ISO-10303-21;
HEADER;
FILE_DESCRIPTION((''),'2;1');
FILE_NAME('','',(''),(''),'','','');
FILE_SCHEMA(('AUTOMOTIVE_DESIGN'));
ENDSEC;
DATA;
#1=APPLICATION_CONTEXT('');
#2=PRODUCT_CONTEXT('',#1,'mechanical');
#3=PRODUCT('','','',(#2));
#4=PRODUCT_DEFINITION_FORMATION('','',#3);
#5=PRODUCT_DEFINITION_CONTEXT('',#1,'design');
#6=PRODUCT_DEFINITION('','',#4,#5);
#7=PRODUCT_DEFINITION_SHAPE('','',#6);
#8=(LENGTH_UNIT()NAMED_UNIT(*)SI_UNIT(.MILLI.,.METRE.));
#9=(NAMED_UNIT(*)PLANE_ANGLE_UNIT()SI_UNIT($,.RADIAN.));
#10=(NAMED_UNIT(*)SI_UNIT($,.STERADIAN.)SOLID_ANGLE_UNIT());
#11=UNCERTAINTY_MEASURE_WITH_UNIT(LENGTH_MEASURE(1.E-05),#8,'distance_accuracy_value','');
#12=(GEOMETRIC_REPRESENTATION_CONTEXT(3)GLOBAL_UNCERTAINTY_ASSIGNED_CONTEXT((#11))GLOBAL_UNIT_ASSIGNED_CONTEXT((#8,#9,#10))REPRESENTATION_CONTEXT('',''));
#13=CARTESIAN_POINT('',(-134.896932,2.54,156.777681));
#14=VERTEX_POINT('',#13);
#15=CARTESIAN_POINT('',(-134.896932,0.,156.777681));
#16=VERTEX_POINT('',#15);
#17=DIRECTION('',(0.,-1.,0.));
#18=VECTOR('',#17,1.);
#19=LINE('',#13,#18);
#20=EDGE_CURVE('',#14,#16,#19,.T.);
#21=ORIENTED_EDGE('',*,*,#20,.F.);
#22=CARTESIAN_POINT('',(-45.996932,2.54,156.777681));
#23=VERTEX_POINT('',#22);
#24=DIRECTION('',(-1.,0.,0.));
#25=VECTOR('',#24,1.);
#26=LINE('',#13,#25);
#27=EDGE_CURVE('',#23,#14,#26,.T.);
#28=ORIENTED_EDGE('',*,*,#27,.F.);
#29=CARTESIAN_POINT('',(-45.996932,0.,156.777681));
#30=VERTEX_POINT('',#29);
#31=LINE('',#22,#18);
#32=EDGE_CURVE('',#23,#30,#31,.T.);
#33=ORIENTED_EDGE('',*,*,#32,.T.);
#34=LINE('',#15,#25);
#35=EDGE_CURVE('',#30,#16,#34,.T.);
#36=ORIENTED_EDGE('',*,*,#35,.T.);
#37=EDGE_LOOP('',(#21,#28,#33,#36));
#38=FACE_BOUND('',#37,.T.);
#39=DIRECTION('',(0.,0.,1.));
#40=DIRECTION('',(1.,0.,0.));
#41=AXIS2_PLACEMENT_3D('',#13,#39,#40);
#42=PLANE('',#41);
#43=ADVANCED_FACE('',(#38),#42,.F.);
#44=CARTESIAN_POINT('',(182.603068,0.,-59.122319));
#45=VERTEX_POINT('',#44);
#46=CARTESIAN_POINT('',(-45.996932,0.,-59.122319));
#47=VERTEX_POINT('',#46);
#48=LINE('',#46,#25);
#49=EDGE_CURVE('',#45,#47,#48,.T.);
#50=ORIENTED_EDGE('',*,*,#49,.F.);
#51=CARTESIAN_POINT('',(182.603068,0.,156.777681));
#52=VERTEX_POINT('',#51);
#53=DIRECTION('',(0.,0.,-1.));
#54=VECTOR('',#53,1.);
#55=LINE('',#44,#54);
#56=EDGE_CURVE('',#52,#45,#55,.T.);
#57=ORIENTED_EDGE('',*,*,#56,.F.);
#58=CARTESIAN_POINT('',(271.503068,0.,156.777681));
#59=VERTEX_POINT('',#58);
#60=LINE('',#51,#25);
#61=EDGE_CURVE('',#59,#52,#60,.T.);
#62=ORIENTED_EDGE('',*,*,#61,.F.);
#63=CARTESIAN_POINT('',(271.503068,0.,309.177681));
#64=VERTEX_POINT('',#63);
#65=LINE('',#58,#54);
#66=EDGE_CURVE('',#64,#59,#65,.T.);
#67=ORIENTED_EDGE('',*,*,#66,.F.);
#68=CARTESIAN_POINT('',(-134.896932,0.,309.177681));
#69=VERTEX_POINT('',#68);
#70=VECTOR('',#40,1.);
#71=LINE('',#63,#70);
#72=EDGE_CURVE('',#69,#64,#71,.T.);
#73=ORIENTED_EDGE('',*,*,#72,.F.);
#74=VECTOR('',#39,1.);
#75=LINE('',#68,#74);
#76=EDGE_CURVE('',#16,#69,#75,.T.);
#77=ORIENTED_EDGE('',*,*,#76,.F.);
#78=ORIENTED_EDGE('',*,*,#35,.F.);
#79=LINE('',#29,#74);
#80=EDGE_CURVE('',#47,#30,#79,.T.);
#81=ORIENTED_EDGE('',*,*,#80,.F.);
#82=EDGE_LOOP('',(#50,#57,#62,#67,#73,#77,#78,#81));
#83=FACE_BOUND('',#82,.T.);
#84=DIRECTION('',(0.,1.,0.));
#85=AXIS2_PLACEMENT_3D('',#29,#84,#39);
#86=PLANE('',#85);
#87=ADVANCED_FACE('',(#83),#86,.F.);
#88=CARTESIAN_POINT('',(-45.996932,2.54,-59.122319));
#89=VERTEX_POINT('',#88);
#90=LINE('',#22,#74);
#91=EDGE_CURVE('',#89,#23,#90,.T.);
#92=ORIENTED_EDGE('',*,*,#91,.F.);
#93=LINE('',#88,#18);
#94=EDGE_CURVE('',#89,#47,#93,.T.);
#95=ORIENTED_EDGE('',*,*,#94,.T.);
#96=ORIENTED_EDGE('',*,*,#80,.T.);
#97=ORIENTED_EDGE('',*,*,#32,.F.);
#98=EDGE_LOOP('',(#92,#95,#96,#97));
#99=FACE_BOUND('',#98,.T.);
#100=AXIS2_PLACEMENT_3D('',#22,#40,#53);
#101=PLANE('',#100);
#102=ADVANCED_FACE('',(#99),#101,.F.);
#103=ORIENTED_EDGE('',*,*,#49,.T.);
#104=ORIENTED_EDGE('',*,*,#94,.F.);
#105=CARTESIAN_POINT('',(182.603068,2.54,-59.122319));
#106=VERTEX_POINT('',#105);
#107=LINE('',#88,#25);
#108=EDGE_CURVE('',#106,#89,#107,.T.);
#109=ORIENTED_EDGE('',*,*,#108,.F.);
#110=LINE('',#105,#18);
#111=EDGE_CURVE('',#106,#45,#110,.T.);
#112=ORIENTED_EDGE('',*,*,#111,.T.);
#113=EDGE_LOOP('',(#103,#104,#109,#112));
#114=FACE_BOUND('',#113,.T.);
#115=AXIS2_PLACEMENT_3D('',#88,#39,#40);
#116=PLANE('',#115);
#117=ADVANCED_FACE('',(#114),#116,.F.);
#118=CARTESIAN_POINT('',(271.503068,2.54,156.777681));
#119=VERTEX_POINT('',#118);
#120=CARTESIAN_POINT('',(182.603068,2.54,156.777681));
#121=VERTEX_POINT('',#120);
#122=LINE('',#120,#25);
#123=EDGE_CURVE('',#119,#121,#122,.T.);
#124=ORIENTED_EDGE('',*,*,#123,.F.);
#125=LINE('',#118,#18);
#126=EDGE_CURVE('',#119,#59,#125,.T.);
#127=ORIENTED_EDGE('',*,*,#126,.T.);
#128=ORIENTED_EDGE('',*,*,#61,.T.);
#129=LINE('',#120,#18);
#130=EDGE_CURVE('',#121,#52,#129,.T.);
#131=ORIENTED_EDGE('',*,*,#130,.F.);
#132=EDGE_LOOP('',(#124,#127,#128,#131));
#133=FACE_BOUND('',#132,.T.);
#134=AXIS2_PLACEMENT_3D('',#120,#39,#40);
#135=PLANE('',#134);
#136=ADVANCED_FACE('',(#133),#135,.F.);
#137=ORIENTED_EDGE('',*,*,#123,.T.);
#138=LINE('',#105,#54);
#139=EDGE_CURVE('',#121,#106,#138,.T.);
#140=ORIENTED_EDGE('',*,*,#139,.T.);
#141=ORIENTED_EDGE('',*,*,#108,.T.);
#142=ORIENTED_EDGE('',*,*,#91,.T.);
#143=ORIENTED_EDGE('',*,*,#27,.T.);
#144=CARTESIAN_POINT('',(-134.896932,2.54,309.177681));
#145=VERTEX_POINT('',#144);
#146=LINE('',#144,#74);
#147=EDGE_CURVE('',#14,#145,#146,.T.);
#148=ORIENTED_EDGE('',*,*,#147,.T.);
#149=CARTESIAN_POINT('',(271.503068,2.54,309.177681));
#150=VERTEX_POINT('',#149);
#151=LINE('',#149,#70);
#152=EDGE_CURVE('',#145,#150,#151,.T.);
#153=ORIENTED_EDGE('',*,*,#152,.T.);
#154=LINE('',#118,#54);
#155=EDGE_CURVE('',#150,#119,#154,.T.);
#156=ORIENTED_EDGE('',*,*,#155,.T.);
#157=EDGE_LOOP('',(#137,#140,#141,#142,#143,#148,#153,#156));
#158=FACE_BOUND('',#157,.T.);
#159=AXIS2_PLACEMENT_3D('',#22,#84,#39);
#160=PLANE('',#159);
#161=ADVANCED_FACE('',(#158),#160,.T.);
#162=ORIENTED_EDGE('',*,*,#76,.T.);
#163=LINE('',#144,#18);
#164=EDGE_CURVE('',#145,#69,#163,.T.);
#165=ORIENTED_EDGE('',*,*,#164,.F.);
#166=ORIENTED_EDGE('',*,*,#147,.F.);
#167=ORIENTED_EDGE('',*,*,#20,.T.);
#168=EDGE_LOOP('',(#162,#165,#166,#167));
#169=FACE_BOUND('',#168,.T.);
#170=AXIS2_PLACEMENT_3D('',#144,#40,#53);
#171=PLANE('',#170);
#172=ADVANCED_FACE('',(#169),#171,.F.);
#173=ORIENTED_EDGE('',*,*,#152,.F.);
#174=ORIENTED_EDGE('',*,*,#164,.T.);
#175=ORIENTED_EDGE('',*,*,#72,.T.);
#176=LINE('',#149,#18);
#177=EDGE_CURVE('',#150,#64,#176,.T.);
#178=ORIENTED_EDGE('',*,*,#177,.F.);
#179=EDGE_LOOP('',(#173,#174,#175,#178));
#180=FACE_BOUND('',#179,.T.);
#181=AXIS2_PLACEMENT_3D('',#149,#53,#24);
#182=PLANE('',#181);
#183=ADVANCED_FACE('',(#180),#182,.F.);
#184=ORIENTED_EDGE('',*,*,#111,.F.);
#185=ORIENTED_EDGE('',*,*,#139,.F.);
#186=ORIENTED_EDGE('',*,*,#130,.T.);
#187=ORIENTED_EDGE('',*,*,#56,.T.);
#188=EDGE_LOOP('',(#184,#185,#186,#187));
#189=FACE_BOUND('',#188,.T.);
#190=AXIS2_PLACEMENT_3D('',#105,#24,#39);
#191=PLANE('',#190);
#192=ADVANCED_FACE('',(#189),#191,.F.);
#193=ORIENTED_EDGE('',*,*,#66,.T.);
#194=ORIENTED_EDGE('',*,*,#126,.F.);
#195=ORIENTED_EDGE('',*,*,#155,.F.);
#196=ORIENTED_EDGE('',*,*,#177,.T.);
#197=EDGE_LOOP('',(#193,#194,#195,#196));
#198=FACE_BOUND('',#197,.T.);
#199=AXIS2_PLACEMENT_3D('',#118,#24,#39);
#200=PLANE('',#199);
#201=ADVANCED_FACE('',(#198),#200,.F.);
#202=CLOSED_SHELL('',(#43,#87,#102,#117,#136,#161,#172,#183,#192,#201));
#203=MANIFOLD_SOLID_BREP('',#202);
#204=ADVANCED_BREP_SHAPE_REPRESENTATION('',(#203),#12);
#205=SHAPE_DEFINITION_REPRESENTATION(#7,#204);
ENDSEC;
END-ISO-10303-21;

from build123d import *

# Parameters (mm, degrees)
EXTRUDE1_DEPTH = 2.54


with BuildPart() as part:
    # Sketch1 → Extrude1 (new body)
    with BuildSketch(Plane(origin=(0, 0, 0), x_dir=(1, 0, 0), z_dir=(0, 1, 0))):
        Polygon((-45.996932202, -156.777680579), (-45.996932202, 59.122319421), (182.603067798, 59.122319421), (182.603067798, -156.777680579), (271.503067798, -156.777680579), (271.503067798, -309.177680579), (-134.896932202, -309.177680579), (-134.896932202, -156.777680579), align=None)
    extrude(amount=EXTRUDE1_DEPTH)


solid = part.part
